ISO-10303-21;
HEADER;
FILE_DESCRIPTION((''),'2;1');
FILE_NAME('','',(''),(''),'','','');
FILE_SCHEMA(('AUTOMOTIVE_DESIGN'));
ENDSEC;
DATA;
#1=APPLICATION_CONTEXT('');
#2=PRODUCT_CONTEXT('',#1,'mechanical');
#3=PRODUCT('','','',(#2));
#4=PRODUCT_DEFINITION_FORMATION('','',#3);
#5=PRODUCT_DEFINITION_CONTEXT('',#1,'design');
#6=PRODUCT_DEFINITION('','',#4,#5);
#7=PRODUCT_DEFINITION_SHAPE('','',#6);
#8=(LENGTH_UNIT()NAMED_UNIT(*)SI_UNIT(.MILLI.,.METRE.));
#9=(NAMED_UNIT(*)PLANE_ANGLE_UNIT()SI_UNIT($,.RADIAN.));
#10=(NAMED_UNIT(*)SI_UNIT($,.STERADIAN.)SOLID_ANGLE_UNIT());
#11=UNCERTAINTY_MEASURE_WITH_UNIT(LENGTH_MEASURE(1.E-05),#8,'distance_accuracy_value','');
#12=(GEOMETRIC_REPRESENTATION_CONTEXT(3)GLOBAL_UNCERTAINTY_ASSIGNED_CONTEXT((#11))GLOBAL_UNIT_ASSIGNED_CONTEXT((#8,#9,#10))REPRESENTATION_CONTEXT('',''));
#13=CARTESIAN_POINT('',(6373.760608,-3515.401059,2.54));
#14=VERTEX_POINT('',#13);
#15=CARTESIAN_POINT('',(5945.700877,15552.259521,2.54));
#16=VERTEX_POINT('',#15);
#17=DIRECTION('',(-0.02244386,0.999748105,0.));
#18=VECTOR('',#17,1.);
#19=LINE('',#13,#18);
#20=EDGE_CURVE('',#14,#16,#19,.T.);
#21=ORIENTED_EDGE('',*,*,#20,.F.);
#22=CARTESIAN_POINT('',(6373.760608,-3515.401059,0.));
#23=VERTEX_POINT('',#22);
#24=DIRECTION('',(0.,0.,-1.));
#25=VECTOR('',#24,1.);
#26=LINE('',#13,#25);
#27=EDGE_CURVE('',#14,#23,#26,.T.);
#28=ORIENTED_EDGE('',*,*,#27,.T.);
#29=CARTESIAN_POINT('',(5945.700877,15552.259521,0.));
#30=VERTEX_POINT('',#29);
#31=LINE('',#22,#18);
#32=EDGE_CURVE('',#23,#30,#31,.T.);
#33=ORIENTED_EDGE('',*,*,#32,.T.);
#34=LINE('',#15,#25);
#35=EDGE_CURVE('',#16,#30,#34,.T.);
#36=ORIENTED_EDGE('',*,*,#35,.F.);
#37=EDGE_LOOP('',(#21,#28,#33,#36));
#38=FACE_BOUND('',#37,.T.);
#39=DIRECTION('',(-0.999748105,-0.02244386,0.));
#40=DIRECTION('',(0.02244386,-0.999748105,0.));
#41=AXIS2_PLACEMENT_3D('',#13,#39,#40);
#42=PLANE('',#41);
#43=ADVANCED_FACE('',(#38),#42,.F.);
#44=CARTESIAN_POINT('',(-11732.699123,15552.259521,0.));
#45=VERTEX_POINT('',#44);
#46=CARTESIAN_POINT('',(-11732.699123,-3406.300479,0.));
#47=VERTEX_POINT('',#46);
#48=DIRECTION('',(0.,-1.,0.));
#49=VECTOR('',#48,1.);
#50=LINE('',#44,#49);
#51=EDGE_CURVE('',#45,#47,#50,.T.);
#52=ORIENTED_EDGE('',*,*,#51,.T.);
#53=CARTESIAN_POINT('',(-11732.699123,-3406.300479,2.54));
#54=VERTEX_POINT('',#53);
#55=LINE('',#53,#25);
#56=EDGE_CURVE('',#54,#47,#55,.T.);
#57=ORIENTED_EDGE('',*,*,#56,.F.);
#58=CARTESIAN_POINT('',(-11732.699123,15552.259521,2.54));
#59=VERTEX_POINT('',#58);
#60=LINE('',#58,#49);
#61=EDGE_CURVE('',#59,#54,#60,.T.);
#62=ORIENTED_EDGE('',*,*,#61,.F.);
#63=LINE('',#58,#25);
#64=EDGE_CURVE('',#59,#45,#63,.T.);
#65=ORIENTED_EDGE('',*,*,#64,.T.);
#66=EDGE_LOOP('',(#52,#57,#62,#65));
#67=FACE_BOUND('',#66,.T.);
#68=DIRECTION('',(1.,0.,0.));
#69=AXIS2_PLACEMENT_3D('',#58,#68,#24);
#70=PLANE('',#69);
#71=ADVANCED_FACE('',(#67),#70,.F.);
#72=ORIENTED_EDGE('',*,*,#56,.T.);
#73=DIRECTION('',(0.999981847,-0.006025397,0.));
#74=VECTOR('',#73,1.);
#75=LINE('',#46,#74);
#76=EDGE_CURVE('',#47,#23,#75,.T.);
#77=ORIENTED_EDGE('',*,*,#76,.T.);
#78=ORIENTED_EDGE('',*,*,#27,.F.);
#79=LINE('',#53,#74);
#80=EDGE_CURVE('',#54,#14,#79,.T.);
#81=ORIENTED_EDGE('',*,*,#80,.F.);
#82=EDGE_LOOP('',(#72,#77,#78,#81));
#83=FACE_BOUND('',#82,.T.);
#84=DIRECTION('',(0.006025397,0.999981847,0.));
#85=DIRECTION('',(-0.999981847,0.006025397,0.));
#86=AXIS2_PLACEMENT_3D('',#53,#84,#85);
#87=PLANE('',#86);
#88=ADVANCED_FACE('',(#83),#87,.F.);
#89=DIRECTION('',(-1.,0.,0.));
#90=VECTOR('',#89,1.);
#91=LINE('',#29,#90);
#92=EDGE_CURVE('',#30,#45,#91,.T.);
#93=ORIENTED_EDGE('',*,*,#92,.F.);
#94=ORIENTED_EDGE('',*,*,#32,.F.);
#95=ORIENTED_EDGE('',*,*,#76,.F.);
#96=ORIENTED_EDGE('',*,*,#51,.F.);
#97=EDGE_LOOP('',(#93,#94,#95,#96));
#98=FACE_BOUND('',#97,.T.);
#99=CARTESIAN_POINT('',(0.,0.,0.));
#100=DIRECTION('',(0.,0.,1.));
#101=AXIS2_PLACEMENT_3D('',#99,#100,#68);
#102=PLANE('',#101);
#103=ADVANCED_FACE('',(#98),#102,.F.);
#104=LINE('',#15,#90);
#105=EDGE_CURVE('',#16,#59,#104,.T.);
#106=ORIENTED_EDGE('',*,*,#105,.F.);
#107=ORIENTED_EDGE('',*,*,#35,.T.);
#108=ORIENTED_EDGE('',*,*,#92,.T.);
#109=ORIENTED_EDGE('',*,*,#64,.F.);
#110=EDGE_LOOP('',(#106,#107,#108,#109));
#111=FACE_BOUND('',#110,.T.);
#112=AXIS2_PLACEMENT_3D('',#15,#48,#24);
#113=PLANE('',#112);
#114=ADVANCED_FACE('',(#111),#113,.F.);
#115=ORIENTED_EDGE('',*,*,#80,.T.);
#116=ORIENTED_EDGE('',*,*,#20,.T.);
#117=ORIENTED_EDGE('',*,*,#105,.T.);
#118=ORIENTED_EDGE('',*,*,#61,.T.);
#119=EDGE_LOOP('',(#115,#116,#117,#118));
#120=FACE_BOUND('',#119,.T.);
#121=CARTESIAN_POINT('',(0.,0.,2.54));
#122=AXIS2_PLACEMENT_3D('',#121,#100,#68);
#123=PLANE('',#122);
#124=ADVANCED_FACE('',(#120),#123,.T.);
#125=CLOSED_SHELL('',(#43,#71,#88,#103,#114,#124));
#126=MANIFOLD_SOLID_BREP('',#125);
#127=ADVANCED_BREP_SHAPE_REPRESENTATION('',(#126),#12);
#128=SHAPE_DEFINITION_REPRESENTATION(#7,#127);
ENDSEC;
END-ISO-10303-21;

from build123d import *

# Parameters (mm, degrees)
SALIENTE_EXTRUIR1_DEPTH = 2.54


with BuildPart() as part:
    # Croquis2 → Saliente-Extruir1 (new body)
    with BuildSketch(Plane.XY):
        Polygon((-11732.699123433, 15552.259521188), (-11732.699123433, -3406.300478812), (6373.760608427, -3515.401059426), (5945.700876567, 15552.259521188), align=None)
    extrude(amount=SALIENTE_EXTRUIR1_DEPTH)


solid = part.part
